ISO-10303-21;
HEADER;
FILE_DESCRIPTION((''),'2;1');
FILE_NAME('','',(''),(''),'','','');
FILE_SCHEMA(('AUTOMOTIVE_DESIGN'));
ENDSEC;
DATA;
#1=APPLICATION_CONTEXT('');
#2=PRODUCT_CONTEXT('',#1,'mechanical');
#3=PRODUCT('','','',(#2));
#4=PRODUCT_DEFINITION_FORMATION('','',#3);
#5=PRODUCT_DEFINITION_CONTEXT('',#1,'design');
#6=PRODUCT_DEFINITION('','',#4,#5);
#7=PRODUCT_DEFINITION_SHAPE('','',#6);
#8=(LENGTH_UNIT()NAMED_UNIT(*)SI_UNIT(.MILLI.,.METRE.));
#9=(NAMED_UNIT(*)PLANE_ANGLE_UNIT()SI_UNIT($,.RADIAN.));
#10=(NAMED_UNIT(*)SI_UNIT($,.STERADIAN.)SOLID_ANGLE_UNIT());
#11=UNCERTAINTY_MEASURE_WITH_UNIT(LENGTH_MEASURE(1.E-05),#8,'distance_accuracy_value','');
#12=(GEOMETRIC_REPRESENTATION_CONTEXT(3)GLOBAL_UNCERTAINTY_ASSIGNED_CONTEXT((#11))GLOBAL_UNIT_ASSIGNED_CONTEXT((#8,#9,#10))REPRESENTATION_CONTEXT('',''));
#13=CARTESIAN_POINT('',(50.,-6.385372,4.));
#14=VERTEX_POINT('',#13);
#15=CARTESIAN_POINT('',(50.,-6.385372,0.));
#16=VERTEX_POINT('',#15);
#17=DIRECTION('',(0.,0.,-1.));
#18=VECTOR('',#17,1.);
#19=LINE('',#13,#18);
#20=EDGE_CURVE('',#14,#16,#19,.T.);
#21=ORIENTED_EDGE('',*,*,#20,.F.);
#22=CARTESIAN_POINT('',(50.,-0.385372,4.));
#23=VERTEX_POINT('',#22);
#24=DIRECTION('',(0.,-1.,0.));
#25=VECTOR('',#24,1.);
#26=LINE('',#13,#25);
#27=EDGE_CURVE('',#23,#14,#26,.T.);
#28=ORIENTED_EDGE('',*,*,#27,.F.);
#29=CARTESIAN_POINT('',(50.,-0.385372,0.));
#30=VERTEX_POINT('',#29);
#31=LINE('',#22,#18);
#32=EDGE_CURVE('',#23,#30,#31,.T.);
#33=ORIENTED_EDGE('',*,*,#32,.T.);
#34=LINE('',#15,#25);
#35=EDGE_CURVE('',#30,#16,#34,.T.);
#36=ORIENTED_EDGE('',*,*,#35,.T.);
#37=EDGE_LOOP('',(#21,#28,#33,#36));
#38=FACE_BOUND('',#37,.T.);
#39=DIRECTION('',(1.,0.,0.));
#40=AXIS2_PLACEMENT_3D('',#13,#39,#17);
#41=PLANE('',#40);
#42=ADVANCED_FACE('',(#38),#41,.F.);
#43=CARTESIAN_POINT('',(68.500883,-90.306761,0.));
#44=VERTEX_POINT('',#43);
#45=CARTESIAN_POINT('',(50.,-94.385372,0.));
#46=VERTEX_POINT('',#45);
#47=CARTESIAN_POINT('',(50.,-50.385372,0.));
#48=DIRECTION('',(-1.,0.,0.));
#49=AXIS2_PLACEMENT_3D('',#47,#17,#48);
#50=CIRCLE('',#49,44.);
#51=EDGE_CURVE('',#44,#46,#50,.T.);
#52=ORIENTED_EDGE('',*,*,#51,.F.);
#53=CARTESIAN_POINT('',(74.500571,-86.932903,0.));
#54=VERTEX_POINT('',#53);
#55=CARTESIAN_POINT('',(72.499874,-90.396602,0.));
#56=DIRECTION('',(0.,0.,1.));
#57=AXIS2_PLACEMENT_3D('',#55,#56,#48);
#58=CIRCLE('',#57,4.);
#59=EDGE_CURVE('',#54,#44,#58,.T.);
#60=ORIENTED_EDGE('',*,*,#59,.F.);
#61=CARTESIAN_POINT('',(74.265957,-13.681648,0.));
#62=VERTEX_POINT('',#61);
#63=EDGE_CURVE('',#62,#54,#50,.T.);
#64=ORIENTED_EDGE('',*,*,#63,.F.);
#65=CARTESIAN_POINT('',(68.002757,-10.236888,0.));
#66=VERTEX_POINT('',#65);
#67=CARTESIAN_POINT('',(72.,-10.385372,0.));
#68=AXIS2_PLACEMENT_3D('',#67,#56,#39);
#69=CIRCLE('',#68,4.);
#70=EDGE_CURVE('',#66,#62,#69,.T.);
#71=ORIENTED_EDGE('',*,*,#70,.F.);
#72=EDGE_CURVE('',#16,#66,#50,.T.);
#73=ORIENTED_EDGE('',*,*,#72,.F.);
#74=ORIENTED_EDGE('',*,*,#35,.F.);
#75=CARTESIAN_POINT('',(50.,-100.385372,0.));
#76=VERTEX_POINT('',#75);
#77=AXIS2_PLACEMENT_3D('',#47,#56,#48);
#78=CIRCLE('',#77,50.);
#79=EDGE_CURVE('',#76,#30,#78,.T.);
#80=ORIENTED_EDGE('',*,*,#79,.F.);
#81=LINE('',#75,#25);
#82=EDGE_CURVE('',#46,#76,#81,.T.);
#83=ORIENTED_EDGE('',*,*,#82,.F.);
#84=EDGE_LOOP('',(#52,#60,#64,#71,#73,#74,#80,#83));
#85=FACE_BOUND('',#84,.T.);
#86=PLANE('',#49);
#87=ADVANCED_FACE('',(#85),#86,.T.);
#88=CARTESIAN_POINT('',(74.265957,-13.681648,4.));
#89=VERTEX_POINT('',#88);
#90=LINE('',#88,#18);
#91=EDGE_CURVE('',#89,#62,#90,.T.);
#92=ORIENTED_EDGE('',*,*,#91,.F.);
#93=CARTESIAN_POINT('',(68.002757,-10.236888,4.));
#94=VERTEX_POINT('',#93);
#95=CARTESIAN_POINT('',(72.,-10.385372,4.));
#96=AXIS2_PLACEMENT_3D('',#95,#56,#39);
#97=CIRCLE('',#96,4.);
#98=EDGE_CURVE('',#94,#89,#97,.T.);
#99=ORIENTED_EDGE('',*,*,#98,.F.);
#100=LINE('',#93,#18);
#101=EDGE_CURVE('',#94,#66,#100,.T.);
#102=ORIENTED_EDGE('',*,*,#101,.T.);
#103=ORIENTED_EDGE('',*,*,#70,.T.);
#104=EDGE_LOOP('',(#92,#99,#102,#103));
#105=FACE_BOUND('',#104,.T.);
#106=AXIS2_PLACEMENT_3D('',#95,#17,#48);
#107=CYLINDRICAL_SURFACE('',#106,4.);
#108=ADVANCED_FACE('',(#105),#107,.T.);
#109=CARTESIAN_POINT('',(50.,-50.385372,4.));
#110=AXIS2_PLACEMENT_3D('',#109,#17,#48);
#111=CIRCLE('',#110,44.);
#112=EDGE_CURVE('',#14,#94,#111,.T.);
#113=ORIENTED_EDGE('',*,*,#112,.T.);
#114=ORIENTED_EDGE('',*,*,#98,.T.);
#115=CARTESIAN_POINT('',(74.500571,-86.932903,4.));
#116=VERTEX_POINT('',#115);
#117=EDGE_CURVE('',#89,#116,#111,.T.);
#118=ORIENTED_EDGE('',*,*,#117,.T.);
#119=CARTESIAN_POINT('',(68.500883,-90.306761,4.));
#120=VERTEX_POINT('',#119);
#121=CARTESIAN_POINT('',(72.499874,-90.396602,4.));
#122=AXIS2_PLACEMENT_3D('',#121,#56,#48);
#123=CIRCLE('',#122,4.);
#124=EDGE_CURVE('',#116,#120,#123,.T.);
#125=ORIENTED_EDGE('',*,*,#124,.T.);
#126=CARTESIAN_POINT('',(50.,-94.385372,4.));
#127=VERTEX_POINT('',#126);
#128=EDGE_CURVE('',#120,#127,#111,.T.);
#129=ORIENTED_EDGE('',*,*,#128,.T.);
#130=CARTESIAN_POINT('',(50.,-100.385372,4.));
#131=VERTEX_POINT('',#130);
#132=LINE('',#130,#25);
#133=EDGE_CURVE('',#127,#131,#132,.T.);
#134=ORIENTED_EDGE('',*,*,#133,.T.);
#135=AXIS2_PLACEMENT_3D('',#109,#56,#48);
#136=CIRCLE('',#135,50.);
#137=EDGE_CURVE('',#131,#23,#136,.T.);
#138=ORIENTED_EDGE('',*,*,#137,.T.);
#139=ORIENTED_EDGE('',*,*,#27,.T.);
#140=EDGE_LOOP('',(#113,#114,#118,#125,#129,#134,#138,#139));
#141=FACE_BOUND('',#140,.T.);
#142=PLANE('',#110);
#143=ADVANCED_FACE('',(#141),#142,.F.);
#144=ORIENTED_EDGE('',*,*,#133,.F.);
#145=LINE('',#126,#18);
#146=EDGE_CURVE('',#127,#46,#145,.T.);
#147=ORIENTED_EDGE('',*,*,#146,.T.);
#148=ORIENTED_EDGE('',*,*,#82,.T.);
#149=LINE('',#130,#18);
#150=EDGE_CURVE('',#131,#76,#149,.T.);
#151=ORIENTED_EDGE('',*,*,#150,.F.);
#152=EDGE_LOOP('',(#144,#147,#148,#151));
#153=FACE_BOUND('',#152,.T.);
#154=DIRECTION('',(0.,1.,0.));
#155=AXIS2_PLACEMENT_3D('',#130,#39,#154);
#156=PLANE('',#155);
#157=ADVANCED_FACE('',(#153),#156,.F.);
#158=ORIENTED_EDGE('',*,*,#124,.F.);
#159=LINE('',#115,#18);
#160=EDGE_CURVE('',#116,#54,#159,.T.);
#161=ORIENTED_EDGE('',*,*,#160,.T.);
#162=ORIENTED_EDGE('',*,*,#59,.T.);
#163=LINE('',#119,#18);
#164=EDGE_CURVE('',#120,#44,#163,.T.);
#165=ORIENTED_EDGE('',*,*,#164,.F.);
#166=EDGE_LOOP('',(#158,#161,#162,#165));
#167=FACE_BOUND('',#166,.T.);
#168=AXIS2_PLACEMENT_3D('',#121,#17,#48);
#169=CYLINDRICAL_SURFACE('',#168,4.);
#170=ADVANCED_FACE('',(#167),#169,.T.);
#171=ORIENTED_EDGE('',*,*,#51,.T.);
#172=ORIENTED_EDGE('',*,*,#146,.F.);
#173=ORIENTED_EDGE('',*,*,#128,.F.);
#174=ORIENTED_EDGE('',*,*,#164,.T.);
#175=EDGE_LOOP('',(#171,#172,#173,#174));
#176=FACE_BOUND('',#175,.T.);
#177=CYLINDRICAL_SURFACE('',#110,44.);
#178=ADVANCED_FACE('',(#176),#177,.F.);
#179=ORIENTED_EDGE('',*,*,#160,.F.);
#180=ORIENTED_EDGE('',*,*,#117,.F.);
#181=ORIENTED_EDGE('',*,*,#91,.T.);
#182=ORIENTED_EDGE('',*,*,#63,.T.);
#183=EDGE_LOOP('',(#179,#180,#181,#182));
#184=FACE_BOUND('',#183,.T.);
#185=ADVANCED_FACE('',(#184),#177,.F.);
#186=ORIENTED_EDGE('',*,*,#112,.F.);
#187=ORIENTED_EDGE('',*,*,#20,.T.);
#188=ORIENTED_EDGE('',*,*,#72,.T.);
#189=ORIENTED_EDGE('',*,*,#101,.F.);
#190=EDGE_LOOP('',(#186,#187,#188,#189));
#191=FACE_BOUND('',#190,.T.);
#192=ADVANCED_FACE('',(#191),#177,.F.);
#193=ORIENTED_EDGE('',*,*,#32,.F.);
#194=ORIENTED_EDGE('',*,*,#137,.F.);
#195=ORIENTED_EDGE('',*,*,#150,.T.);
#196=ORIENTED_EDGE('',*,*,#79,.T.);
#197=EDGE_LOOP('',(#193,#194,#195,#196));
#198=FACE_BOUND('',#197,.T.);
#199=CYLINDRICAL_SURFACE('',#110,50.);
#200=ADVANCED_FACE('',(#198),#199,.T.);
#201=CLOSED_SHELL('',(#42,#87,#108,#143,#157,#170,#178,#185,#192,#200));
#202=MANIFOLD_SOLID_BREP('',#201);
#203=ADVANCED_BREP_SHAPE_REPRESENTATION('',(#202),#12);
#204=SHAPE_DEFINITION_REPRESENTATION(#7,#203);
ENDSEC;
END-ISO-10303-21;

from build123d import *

# Parameters (mm, degrees)
SALIENTE_EXTRUIR2_DEPTH = 4


with BuildPart() as part:
    # Croquis1 → Saliente-Extruir2 (new body)
    with BuildSketch(Plane.XY):
        with BuildLine():
            Line((50, -100.385371697), (50, -94.385371697))
            ThreePointArc((50, -94.385371697), (59.472562128, -93.35362238), (68.500882915, -90.306761094))
            ThreePointArc((68.500882915, -90.306761094), (70.539255421, -86.910059757), (74.500570941, -86.932902716))
            ThreePointArc((74.500570941, -86.932902716), (93.999774318, -50.244446404), (74.265957135, -13.681648121))
            ThreePointArc((74.265957135, -13.681648121), (70.072325001, -13.890235332), (68.002756877, -10.23688798))
            ThreePointArc((68.002756877, -10.23688798), (59.205072417, -7.35902347), (50, -6.385371697))
            Line((50, -6.385371697), (50, -0.385371697))
            ThreePointArc((50, -0.385371697), (100, -50.385371697), (50, -100.385371697))
        make_face()
    extrude(amount=SALIENTE_EXTRUIR2_DEPTH)


solid = part.part
